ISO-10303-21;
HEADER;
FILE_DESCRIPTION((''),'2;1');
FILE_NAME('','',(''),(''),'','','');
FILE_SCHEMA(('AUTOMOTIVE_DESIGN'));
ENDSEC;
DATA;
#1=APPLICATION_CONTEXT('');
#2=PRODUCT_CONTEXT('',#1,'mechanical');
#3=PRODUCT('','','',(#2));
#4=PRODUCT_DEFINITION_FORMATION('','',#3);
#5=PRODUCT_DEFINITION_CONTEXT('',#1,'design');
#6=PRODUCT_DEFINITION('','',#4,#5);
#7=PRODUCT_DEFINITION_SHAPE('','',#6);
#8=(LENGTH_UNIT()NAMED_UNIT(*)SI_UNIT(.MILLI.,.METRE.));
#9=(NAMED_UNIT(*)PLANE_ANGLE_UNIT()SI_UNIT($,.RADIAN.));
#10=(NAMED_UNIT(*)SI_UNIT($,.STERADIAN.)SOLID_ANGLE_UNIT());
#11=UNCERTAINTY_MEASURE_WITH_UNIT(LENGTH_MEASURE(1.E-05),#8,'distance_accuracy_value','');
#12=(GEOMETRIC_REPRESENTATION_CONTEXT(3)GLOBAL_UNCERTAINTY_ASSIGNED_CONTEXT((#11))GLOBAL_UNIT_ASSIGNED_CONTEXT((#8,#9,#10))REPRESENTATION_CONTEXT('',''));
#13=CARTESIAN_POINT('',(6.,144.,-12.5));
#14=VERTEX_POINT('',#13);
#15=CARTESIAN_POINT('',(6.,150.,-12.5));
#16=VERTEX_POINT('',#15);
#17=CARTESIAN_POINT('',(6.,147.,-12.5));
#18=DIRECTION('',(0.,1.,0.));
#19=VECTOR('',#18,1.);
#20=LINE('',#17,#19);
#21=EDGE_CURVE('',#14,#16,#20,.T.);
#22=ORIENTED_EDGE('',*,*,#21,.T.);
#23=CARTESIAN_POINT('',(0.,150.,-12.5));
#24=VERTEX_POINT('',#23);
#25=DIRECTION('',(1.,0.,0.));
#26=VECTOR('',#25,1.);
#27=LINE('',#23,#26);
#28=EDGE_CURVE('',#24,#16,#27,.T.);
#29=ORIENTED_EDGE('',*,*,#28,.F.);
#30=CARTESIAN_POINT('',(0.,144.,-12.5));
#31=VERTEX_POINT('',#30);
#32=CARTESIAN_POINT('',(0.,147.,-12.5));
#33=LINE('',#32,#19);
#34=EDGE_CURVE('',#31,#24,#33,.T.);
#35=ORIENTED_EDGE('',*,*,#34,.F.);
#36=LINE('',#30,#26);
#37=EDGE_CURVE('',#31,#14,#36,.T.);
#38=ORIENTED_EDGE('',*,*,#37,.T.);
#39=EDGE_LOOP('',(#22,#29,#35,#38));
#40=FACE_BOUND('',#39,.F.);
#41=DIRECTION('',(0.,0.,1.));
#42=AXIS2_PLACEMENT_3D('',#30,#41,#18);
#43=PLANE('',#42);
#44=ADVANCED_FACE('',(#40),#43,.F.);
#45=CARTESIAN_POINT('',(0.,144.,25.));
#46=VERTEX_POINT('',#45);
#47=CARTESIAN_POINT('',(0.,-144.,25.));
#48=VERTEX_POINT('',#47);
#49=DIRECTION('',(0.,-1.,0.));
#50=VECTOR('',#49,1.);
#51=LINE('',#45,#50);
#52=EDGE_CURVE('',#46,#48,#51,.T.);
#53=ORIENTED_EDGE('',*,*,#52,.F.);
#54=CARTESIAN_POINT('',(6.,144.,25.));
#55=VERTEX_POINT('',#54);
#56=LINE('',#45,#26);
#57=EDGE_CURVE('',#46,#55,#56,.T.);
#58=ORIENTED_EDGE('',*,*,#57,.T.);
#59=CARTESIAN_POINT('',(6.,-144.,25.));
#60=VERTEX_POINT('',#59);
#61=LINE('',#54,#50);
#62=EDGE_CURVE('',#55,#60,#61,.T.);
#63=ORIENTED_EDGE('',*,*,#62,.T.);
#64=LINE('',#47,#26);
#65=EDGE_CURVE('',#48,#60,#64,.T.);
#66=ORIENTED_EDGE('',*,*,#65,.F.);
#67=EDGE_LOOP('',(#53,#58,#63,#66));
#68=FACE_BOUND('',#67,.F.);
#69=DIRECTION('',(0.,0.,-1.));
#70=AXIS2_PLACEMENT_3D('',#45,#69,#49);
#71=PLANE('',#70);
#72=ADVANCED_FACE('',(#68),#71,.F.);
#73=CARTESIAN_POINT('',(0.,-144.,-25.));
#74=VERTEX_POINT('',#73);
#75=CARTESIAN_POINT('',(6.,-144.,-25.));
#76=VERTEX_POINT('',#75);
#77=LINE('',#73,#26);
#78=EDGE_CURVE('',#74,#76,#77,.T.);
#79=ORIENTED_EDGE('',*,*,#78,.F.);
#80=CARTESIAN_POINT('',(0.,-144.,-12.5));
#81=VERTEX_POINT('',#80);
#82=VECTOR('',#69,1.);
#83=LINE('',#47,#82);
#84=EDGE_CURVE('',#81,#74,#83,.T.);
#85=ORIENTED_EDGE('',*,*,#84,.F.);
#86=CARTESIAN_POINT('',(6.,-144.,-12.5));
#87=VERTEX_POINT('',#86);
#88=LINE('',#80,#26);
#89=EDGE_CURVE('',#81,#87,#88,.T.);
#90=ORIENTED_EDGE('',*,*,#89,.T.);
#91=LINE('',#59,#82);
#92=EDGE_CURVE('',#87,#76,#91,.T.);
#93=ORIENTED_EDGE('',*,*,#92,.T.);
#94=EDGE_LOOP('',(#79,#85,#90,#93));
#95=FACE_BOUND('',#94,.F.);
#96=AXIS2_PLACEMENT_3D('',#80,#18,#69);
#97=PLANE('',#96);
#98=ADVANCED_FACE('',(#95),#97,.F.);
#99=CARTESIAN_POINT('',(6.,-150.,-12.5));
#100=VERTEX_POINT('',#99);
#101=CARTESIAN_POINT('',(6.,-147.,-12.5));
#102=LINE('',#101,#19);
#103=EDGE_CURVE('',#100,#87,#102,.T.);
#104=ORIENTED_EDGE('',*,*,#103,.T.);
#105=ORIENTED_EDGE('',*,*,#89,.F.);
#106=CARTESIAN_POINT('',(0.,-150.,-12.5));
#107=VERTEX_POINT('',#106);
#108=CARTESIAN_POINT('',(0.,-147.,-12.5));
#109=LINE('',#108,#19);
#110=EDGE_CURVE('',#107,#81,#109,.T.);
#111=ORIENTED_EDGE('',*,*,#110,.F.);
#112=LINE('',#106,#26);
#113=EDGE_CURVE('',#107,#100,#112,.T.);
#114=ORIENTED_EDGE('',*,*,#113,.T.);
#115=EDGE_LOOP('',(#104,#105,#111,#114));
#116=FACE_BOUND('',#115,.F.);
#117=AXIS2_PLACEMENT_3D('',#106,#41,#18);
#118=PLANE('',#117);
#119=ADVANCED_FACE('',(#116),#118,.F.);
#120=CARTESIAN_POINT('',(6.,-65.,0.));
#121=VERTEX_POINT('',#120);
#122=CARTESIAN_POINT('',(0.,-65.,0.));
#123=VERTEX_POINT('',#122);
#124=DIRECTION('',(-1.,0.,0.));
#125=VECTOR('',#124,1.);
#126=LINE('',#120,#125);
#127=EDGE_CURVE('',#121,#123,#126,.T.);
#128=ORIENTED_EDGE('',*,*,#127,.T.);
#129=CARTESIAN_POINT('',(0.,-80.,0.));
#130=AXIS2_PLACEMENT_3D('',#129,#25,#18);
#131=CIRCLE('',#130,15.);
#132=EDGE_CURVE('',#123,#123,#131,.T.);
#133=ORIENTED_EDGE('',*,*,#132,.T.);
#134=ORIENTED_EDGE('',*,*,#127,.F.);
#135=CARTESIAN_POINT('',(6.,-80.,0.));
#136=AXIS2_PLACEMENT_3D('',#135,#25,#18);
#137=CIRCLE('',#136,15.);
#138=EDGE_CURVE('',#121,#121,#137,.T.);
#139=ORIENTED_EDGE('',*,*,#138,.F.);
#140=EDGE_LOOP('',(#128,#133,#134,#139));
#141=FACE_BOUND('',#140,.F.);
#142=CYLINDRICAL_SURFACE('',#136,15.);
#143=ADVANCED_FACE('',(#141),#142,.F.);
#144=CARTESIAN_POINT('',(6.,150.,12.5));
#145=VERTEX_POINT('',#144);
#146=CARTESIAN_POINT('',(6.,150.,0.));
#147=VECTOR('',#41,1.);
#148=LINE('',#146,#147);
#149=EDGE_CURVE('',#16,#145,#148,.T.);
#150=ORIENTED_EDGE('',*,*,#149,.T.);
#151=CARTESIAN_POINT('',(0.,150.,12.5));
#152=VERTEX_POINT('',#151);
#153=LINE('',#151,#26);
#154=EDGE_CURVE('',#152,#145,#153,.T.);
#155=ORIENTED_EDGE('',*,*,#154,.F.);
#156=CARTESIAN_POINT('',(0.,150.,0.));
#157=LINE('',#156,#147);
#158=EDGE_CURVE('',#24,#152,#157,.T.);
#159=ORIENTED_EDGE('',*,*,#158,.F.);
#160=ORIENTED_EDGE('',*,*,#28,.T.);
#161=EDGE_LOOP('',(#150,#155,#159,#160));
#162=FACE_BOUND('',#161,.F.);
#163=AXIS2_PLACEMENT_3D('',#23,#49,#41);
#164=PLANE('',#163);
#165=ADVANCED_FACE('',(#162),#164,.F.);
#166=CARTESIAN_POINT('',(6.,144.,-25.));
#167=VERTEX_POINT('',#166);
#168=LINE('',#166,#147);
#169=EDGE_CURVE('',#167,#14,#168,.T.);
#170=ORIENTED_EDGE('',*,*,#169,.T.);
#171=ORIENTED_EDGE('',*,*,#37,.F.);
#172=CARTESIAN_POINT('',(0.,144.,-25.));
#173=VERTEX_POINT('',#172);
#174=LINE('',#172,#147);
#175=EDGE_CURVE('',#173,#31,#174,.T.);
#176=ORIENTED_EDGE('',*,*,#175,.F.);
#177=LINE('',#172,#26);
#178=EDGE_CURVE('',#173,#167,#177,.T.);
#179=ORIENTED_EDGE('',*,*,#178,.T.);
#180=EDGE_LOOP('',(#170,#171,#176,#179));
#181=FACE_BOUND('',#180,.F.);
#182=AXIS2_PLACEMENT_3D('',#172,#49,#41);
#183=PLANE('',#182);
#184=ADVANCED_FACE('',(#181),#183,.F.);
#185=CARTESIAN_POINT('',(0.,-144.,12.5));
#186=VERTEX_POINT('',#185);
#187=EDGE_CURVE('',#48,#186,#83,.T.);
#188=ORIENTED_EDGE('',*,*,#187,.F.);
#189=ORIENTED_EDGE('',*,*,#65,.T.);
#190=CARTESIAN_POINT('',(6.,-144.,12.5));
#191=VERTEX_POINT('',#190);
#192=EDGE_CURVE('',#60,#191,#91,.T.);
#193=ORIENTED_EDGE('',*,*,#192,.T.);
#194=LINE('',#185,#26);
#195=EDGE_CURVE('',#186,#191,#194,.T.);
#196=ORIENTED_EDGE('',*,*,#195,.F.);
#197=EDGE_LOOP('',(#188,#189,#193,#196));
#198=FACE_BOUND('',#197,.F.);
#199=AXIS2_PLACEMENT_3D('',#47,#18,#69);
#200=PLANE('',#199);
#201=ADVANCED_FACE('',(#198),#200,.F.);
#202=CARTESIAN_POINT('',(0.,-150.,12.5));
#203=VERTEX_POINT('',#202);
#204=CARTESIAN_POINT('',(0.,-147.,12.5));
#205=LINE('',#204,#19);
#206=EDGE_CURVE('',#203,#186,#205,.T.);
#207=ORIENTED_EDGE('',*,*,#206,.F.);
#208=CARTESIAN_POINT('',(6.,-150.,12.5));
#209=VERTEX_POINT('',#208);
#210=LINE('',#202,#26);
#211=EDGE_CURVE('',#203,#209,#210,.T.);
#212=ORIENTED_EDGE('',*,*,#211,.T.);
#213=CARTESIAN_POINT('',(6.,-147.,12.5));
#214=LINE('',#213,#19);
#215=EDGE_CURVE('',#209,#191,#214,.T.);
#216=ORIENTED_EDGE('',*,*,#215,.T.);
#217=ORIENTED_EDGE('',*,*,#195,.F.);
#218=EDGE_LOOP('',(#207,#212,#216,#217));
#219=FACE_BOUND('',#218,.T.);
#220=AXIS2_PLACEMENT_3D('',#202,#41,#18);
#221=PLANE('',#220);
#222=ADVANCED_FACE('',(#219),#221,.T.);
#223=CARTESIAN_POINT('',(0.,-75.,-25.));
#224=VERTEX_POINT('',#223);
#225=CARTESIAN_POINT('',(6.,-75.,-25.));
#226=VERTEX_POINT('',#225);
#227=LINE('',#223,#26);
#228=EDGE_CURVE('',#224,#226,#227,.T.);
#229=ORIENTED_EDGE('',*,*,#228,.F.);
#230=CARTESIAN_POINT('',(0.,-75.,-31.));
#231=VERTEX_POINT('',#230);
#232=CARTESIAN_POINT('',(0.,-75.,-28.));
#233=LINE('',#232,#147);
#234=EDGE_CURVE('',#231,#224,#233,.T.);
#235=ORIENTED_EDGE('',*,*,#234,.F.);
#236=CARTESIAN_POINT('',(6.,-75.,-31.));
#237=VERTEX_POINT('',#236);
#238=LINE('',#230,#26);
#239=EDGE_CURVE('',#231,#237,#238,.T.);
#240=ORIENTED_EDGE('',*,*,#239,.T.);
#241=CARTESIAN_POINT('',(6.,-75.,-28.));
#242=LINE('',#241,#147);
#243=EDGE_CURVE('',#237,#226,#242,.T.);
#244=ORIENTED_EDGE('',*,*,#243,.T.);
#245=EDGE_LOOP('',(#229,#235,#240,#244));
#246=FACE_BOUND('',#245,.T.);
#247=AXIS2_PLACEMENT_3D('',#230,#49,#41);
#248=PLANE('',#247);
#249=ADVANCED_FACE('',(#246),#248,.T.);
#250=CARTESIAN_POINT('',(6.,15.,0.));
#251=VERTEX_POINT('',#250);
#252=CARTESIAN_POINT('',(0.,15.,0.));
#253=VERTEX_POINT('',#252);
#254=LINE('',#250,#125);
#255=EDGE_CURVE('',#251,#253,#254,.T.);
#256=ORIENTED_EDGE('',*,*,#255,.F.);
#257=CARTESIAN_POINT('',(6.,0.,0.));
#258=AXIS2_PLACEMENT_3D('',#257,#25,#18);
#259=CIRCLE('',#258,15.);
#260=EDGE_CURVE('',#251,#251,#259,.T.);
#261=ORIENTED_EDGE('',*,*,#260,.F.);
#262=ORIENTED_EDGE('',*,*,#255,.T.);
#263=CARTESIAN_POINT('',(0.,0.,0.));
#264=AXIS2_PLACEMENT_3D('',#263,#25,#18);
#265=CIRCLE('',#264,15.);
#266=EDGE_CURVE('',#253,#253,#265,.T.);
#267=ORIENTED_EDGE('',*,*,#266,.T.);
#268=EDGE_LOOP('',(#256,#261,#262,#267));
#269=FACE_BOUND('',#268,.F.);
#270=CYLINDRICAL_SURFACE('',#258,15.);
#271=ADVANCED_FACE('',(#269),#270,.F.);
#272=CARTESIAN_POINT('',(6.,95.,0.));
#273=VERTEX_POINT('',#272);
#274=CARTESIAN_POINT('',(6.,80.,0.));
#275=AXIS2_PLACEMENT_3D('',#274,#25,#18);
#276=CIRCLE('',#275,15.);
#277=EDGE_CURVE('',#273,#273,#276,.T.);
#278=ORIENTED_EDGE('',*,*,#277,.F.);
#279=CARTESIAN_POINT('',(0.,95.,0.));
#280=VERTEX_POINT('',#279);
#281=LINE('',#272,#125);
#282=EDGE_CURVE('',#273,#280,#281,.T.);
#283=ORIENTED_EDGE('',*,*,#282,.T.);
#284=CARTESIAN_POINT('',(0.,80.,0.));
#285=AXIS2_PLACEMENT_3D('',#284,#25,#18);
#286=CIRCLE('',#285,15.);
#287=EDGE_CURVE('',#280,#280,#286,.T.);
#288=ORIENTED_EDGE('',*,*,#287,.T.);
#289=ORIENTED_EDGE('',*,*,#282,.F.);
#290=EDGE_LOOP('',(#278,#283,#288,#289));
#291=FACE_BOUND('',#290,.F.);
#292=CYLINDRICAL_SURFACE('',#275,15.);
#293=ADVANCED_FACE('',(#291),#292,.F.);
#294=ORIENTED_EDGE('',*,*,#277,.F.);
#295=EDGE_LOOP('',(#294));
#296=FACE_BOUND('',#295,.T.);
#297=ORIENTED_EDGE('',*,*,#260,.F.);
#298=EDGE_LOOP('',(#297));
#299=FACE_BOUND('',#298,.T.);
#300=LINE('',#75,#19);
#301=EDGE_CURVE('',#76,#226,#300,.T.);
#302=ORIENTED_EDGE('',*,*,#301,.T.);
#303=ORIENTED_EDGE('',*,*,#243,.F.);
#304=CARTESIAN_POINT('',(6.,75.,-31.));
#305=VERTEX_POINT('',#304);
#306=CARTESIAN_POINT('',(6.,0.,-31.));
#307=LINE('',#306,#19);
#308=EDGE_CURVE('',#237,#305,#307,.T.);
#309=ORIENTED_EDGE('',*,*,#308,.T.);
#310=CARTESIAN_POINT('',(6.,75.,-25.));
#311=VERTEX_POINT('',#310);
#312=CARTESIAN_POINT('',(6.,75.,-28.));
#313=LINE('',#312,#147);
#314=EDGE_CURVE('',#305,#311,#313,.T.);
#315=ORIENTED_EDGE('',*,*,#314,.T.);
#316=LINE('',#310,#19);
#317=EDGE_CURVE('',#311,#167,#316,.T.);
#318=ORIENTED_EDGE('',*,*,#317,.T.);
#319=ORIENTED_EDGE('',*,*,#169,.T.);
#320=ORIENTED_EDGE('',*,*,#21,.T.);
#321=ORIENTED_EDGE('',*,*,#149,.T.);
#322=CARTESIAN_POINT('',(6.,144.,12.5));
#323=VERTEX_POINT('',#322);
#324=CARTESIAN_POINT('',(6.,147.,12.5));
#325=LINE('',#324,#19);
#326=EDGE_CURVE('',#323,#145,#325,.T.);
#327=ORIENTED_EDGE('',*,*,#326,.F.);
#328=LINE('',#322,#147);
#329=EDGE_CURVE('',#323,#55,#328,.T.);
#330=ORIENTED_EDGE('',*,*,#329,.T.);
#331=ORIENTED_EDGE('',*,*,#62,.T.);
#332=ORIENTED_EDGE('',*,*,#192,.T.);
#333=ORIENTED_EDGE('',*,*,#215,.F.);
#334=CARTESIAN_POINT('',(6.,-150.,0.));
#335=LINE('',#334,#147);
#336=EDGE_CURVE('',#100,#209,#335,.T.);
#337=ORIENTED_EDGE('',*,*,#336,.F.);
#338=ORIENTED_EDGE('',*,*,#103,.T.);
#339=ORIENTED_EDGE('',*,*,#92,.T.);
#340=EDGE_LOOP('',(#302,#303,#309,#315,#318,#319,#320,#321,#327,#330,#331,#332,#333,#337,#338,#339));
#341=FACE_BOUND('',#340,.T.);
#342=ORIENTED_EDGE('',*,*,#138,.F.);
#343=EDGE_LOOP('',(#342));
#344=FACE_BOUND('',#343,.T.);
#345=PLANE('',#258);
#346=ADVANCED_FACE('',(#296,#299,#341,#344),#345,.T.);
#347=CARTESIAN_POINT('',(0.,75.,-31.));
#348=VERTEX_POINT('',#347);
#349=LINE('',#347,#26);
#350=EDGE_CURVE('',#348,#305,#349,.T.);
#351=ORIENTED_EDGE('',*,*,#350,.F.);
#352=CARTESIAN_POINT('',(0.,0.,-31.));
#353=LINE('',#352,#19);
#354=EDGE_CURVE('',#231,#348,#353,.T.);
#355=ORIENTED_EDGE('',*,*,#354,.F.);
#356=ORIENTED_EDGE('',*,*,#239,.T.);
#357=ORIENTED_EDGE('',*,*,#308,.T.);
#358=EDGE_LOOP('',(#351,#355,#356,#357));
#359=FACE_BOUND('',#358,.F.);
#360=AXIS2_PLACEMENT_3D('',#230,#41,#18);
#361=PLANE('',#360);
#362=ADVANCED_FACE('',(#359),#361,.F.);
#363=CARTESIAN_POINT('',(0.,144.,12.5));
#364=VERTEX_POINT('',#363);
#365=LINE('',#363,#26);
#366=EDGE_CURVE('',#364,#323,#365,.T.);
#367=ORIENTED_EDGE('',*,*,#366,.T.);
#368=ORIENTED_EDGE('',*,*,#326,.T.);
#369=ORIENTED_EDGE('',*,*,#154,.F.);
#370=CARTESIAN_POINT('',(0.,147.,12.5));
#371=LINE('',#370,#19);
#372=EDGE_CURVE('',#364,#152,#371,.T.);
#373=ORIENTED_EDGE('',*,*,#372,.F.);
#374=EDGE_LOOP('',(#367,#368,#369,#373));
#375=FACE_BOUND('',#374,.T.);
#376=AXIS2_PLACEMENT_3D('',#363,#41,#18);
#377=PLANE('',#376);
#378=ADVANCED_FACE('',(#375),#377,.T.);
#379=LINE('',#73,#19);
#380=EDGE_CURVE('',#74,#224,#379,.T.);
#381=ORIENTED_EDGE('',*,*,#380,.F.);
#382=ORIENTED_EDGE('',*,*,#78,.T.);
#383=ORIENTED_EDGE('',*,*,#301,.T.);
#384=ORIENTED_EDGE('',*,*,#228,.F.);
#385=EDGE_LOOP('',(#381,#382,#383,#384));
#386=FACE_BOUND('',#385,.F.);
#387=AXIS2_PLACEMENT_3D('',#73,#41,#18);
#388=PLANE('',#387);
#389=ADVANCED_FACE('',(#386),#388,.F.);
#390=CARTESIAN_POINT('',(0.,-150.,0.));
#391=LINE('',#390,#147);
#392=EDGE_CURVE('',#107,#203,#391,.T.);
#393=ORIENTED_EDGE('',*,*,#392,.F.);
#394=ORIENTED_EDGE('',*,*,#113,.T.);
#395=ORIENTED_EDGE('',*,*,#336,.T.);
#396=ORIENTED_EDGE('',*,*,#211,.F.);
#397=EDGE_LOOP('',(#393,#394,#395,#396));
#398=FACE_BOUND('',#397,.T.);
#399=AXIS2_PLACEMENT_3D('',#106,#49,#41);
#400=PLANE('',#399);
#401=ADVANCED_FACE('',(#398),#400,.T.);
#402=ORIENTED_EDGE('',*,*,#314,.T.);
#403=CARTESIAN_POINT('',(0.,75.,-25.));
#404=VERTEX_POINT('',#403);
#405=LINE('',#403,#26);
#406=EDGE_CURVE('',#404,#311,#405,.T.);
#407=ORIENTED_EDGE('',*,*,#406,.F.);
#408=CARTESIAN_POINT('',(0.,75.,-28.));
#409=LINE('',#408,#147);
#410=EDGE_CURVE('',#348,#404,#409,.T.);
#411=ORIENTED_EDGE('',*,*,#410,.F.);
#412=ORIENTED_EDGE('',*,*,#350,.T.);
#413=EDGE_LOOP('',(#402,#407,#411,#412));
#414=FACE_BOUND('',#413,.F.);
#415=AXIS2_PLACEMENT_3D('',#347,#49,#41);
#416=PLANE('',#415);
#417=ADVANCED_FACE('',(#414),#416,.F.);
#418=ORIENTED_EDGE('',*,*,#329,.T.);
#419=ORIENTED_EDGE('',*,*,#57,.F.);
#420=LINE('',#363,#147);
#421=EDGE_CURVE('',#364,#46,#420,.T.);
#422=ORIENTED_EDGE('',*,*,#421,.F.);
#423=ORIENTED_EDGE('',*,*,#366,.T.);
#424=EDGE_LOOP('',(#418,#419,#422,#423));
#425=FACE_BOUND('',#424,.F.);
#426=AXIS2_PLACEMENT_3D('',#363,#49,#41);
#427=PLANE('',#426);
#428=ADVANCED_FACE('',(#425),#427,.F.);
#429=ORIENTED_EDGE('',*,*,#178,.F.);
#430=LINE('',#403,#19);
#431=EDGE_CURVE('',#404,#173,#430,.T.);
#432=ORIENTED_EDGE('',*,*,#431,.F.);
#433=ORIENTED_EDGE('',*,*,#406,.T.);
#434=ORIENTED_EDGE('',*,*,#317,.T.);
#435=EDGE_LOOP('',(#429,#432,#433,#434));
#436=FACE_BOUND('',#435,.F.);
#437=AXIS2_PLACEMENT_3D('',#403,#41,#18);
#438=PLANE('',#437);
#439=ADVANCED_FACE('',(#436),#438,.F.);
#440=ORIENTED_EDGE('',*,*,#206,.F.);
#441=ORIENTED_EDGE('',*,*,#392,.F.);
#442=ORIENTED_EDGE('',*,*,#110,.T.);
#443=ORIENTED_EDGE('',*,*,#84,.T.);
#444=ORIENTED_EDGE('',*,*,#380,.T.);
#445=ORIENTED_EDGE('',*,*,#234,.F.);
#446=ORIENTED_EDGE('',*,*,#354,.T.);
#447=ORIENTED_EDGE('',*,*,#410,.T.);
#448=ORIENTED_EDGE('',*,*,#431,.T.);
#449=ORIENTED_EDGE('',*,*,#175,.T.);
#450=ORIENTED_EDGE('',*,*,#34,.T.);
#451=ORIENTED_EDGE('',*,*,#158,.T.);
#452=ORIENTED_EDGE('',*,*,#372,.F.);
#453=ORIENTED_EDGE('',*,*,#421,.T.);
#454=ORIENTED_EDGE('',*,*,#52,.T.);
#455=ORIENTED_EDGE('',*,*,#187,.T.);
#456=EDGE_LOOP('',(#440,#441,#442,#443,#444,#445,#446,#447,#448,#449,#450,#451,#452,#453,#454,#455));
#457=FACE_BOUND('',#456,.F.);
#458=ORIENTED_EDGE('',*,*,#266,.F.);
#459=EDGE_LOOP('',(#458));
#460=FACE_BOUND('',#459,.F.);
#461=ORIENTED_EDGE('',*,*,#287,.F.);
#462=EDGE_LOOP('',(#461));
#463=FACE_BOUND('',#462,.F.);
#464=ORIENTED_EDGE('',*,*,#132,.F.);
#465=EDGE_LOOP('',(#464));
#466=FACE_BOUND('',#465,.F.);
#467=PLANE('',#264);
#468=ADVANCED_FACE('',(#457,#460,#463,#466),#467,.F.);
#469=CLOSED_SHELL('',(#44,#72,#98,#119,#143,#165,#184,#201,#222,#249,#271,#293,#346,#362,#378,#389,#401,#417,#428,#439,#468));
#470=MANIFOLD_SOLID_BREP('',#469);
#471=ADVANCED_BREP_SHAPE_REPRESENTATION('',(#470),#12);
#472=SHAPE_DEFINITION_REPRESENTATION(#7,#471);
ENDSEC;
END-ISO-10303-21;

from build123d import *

# Parameters (mm, degrees)
F0_W     = 150
F0_H     = 6
F0_W_2   = 6
F0_H_2   = 25
F1_DEPTH = 6
F2_R     = 15
F3_DEPTH = 6


with BuildPart() as f1:
    # F0 (on Right) → F1 (new body)
    with BuildSketch(Plane.YZ):
        Polygon((-75, 25), (-144, 25), (-144, 12.5), (-138, 12.5), (-138, -12.5), (-144, -12.5), (-144, -25), (-75, -25), (-75, -19), (75, -19), (75, -25), (144, -25), (144, -12.5), (138, -12.5), (138, 12.5), (144, 12.5), (144, 25), (75, 25), (75, 19), (-75, 19), align=None)
        with Locations((0, 22)):
            Rectangle(F0_W, F0_H)
        with Locations((0, -28)):
            Rectangle(F0_W, F0_H)
        with Locations((0, -22)):
            Rectangle(F0_W, F0_H)
        with Locations((-141, 0)):
            Rectangle(F0_W_2, F0_H_2)
        with Locations((-147, 0)):
            Rectangle(F0_W_2, F0_H_2)
        with Locations((147, 0)):
            Rectangle(F0_W_2, F0_H_2)
        with Locations((141, 0)):
            Rectangle(F0_W_2, F0_H_2)
    extrude(amount=F1_DEPTH)

    # F2 (on face) → F3 (cut, through all)
    with BuildSketch(Plane.YZ.offset(6)):
        Circle(F2_R)
        with Locations((-80, 0)):
            Circle(F2_R)
        with Locations((80, 0)):
            Circle(F2_R)
    extrude(amount=-F3_DEPTH, mode=Mode.SUBTRACT)


solid = f1.part
